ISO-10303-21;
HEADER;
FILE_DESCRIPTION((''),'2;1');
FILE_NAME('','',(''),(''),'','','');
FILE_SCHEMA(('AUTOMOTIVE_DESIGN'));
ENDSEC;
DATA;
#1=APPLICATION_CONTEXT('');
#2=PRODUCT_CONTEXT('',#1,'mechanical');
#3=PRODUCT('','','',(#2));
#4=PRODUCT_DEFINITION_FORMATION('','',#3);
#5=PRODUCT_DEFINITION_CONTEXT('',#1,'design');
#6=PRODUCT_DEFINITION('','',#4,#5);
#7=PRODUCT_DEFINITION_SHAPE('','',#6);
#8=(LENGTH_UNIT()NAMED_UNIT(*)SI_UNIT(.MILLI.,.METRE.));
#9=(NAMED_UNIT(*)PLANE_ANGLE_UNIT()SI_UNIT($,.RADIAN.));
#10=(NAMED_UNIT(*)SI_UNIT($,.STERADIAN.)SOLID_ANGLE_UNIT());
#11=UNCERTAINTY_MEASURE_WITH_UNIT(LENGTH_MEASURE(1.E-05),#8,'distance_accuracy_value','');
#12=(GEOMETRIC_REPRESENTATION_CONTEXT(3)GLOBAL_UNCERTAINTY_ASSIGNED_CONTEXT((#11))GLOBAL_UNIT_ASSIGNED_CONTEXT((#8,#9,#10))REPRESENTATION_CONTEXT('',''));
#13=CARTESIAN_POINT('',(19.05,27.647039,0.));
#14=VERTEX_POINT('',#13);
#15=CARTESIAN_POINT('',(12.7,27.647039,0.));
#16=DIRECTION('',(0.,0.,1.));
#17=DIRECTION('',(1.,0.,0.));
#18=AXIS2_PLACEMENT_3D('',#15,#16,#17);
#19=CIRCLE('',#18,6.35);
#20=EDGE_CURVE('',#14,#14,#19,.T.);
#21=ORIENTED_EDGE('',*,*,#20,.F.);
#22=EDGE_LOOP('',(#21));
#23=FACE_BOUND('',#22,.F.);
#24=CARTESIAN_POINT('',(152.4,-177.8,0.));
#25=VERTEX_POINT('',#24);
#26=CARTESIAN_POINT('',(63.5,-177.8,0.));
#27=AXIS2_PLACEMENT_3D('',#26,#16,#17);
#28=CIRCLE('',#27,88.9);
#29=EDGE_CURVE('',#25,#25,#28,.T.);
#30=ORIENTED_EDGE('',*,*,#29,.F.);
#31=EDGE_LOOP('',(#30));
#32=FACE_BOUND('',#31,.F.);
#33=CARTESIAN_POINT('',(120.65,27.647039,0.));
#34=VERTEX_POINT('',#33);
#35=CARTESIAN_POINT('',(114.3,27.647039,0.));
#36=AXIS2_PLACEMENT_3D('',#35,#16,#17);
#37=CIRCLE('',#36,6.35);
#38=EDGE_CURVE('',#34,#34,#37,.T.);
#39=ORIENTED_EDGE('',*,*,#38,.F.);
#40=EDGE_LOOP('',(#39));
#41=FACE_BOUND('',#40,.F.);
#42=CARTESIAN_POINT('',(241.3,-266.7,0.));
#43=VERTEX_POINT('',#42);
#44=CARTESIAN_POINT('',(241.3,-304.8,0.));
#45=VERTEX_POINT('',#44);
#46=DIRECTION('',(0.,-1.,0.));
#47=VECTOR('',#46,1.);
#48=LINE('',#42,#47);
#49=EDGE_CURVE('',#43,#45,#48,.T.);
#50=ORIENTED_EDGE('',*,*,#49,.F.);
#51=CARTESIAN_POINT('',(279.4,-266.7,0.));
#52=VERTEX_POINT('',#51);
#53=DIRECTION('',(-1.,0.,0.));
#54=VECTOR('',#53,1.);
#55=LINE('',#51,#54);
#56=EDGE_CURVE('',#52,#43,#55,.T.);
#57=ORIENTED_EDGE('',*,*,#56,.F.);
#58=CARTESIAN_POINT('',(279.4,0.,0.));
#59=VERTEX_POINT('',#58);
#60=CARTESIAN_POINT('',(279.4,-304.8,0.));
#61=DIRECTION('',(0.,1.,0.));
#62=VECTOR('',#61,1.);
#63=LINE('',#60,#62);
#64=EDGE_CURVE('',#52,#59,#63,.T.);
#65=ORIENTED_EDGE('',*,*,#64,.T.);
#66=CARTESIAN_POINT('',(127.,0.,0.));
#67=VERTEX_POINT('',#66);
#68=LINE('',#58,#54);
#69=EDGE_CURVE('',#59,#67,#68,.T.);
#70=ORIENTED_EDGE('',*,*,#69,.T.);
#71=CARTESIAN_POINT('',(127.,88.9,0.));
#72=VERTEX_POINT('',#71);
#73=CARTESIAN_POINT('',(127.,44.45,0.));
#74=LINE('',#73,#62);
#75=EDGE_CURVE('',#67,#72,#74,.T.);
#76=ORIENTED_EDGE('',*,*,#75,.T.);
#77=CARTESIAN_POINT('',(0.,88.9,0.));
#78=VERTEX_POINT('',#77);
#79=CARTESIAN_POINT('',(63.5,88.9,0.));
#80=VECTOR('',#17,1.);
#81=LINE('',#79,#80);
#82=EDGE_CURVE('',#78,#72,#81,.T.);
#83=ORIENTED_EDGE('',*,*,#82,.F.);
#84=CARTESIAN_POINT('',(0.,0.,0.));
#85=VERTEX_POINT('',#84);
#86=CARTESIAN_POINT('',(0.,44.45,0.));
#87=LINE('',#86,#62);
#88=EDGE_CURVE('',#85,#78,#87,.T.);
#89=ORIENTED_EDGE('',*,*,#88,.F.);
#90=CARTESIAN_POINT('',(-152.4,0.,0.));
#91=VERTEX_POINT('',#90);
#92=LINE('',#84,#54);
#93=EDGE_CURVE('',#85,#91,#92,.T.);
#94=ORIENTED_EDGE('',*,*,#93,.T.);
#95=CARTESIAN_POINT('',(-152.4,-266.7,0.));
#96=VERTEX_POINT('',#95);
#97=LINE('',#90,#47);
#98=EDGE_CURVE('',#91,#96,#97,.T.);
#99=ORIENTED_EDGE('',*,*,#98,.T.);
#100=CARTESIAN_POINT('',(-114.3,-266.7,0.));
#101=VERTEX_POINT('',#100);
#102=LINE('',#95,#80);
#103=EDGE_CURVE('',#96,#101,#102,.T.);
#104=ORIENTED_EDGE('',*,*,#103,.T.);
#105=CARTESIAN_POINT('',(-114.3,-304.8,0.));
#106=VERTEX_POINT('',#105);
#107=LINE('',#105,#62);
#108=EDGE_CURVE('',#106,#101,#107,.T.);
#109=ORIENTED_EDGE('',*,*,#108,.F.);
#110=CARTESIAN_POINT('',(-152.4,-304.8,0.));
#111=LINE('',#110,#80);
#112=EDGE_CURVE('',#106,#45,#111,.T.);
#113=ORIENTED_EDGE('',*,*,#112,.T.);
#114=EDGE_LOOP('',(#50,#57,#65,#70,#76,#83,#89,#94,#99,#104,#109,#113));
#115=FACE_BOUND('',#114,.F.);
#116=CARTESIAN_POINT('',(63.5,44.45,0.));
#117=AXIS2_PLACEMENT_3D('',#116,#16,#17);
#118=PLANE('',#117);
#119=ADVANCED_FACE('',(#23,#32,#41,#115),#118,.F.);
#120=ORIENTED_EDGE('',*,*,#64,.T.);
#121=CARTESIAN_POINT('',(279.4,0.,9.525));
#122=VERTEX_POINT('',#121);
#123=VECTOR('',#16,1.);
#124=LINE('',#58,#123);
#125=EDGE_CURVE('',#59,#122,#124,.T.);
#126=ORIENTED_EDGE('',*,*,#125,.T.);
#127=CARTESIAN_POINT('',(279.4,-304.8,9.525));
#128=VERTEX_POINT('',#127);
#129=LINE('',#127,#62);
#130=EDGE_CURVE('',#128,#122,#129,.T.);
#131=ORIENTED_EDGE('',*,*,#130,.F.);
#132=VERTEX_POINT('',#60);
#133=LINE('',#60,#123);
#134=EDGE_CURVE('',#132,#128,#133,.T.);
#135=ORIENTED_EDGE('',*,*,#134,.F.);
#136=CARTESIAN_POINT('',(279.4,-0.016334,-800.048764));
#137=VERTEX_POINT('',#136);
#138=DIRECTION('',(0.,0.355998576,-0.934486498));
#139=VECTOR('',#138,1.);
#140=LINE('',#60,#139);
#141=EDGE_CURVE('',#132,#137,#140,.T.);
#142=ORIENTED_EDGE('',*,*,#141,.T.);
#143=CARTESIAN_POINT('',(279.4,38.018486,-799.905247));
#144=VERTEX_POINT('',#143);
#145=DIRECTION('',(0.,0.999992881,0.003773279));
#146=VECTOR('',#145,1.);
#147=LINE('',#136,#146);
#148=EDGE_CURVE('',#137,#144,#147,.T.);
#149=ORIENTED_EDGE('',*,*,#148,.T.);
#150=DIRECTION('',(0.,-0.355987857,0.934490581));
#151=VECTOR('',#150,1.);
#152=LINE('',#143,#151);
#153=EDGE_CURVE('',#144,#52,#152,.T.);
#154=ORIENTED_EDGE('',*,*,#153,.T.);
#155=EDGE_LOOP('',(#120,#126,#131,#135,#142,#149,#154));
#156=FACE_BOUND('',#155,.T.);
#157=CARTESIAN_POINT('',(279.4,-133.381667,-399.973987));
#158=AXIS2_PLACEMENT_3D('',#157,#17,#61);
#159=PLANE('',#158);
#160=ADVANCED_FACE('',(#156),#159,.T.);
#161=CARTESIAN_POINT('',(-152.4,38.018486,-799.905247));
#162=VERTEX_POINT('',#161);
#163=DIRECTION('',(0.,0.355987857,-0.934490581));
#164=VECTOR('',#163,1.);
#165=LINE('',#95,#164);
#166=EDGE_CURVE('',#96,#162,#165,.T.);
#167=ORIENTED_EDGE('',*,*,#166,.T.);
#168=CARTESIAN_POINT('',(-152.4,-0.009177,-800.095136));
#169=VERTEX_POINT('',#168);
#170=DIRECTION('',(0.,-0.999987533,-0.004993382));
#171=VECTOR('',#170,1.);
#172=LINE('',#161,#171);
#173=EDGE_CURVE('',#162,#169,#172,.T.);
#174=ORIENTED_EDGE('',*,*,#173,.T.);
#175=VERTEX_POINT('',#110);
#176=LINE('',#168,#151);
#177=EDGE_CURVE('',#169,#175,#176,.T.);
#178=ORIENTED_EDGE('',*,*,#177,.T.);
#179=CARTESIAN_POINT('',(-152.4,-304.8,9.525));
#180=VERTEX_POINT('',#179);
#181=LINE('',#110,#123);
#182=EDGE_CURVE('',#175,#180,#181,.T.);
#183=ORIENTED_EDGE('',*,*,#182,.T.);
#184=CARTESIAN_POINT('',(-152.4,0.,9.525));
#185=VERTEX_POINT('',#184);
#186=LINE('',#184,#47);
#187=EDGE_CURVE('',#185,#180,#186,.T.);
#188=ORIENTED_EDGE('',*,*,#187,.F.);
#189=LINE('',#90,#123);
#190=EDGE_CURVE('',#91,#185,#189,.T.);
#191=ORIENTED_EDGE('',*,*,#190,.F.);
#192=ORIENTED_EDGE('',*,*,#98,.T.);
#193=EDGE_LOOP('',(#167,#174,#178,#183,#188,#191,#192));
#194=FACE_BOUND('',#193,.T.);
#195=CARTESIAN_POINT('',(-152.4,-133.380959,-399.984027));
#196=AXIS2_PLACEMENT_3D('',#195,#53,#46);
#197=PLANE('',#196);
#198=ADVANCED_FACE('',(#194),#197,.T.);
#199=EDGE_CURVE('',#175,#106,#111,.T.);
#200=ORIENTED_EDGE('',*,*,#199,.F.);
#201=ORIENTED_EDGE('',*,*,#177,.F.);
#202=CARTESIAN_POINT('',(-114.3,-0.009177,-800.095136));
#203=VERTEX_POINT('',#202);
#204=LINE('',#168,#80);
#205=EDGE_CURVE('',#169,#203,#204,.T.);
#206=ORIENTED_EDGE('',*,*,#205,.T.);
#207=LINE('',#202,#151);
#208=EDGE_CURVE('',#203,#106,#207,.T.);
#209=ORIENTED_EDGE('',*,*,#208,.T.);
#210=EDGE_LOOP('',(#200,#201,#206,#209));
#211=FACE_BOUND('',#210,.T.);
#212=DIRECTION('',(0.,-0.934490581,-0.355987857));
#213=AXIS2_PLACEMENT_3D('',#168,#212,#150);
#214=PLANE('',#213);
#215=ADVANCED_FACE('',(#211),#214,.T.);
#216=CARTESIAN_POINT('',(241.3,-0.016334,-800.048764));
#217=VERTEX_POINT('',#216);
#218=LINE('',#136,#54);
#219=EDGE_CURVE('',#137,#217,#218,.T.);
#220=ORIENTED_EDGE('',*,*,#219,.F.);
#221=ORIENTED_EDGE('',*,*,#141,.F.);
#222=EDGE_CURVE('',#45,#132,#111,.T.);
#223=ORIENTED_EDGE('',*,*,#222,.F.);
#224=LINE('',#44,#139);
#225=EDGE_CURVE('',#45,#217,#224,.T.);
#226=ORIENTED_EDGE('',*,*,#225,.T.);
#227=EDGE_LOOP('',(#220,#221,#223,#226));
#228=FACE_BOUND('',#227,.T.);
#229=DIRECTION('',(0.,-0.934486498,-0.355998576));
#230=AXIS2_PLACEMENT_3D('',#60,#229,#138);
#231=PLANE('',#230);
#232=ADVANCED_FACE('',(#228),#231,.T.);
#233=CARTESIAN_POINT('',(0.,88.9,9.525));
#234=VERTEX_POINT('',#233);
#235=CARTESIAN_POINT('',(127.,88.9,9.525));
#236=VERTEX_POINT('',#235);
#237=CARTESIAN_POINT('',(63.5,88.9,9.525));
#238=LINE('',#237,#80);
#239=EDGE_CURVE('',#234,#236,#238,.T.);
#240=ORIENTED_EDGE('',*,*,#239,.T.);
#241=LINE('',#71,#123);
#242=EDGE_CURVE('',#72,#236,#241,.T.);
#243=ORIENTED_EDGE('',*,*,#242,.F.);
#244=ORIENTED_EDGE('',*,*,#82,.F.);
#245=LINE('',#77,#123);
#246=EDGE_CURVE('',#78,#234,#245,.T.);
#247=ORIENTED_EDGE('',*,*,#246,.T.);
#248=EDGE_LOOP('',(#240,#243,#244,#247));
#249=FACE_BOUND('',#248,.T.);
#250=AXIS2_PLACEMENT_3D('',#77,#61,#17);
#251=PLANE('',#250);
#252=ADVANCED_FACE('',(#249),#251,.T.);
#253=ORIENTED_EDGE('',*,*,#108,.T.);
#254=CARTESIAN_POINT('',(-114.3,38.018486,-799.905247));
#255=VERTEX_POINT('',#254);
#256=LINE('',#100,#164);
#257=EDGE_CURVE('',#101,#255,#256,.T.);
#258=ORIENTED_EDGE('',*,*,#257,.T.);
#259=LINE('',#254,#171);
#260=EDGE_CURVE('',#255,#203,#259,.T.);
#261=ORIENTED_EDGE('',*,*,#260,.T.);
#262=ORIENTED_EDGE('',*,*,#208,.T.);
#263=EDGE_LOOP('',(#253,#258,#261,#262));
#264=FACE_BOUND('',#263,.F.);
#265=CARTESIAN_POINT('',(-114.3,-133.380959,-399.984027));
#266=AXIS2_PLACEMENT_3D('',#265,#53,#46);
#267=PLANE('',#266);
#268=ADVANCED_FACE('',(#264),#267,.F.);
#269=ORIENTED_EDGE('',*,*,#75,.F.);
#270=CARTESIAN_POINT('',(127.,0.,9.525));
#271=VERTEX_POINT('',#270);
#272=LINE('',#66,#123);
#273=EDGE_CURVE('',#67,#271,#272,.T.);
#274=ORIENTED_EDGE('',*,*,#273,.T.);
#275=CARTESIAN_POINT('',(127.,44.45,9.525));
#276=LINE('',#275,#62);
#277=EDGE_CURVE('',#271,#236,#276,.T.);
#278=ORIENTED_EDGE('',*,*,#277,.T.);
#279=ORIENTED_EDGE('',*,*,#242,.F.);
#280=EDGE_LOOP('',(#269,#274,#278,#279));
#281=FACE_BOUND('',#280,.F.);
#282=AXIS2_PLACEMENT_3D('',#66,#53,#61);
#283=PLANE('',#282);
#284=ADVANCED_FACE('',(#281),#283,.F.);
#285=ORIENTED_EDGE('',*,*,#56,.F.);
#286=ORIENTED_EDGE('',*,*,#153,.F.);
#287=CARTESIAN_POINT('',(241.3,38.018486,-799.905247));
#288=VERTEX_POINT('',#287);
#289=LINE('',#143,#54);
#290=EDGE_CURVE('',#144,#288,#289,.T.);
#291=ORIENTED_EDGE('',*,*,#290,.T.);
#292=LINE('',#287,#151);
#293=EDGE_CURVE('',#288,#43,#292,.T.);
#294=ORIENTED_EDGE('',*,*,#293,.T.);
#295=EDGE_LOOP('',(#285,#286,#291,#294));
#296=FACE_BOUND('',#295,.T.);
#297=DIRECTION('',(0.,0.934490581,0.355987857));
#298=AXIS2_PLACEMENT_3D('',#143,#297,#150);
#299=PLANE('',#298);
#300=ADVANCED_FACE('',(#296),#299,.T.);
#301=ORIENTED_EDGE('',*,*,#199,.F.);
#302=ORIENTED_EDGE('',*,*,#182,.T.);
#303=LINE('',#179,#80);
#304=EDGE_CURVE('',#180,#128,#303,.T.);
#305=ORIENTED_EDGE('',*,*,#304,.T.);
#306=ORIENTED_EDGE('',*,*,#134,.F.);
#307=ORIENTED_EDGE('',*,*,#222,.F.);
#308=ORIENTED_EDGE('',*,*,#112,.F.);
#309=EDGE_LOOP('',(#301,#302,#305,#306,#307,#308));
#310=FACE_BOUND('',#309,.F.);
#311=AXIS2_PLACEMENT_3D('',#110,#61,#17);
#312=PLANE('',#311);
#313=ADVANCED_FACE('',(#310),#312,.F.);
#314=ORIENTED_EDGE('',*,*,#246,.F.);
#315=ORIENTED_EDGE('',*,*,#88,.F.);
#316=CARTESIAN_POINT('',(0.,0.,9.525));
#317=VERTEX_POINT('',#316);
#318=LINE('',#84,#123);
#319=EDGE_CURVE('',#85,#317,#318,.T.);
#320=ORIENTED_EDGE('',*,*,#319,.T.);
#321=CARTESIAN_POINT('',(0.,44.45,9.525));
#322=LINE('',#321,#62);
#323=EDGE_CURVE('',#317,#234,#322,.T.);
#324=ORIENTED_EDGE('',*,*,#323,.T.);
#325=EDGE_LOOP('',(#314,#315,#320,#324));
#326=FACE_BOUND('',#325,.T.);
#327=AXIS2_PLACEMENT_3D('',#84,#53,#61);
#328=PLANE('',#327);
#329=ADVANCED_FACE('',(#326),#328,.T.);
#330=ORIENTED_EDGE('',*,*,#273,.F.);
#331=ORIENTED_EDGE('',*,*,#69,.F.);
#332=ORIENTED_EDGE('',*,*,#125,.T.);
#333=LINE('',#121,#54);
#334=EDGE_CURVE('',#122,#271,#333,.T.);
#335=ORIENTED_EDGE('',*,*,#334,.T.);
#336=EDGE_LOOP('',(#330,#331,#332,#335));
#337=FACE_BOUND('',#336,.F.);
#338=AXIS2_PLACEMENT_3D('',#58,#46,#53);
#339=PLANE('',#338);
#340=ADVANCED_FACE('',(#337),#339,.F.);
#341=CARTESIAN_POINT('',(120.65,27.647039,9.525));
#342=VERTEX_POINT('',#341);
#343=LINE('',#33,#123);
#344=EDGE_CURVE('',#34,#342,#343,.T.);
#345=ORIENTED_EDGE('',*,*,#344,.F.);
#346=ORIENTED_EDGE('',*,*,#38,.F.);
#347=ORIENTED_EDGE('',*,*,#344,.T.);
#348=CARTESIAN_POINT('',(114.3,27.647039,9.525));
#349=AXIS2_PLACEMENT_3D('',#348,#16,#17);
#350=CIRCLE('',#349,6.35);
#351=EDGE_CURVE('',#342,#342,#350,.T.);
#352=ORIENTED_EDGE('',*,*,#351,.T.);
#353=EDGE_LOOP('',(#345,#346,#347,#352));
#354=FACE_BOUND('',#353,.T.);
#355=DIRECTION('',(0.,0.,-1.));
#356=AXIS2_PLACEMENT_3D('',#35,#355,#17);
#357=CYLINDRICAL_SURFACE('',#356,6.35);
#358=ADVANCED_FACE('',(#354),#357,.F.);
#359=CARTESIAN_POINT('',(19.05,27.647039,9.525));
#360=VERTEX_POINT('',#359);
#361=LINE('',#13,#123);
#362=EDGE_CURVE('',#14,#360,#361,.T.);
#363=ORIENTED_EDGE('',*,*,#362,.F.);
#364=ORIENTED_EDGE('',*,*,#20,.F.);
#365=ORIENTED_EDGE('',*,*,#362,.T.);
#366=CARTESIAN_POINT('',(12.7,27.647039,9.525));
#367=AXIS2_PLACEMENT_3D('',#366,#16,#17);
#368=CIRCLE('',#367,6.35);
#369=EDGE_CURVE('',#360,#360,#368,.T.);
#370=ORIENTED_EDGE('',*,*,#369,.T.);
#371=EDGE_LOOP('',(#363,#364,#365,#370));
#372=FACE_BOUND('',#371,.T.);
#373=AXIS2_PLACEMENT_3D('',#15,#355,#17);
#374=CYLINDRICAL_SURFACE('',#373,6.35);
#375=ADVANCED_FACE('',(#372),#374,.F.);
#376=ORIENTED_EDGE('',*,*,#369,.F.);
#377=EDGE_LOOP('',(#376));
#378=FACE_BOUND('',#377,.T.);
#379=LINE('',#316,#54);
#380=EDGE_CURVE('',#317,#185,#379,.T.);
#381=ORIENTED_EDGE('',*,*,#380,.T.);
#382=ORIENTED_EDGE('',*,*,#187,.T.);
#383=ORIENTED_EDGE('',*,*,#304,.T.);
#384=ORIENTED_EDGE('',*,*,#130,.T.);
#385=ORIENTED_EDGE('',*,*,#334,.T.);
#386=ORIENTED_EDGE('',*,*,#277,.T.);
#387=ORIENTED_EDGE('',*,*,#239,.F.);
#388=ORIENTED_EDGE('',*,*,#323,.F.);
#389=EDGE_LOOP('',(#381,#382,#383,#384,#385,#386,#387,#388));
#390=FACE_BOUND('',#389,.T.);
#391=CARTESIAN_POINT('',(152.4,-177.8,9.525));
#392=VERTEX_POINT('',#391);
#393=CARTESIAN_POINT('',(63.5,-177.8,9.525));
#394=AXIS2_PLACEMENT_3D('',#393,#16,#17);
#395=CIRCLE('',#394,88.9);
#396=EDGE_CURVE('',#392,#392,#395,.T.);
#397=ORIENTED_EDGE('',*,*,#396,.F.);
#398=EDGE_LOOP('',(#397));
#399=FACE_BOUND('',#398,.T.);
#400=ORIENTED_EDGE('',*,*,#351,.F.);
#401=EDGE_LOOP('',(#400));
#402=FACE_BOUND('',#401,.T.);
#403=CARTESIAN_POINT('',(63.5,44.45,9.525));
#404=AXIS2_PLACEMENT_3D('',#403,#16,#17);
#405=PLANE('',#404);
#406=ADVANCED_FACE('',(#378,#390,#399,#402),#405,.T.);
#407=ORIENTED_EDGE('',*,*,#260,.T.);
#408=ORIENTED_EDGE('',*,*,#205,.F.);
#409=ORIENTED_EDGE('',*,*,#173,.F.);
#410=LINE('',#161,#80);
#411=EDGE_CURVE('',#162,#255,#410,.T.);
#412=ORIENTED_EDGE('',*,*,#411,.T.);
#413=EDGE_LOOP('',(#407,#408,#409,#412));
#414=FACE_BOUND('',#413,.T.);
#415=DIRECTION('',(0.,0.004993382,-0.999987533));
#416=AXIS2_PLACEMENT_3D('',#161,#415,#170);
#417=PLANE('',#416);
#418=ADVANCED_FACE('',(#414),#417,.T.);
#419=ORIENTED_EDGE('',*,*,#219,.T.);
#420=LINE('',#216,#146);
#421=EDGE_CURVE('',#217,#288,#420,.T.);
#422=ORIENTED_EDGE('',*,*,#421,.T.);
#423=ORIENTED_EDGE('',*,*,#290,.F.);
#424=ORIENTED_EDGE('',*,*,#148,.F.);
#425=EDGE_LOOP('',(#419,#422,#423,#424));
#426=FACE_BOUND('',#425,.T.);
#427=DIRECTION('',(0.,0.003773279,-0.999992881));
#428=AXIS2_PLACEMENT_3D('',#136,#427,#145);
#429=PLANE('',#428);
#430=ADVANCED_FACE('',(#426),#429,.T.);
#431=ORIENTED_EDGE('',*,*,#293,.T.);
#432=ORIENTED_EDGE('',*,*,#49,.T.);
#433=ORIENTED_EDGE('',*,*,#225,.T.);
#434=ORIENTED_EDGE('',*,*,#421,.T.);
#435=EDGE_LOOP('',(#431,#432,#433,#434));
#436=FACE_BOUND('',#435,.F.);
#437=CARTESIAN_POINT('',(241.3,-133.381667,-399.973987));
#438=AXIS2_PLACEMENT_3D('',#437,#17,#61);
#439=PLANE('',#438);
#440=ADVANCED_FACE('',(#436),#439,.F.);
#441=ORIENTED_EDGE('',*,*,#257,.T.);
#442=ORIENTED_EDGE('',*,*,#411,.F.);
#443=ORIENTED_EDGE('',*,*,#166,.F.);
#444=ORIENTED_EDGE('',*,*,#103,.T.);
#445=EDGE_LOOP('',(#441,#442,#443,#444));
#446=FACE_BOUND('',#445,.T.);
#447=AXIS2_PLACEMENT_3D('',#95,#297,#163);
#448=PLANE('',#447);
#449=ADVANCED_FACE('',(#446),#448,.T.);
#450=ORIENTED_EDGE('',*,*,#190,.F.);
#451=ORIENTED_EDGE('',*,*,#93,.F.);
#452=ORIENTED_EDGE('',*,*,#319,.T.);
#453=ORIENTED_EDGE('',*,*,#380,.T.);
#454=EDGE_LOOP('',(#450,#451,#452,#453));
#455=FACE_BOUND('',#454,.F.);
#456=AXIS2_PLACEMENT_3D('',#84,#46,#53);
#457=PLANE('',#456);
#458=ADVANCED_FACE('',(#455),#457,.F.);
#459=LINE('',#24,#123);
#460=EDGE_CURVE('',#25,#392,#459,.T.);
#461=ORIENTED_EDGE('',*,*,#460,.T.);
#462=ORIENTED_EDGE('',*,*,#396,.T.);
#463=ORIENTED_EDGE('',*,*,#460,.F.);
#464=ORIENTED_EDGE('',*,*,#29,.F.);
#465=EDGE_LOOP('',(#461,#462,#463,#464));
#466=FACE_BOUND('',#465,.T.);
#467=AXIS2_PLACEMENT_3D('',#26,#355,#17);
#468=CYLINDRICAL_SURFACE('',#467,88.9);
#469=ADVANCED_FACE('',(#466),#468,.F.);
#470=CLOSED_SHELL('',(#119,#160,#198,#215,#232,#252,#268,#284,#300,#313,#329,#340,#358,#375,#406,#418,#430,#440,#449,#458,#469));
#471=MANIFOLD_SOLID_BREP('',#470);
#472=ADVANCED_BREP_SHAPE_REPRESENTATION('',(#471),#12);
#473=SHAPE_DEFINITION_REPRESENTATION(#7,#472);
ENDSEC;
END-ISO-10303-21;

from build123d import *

# Parameters (mm, degrees)
F0_W     = 127
F0_H     = 88.9
F0_R     = 6.35
F0_R_2   = 88.9
F1_DEPTH = 9.525
F3_DEPTH = 38.1
F5_DEPTH = 38.1


with BuildPart() as f1:
    # F0 (on Top) → F1 (new body)
    with BuildSketch(Plane.XY):
        with Locations((63.5, 44.45)):
            Rectangle(F0_W, F0_H)
        with Locations((12.7, 27.647039)):
            Circle(F0_R, mode=Mode.SUBTRACT)
        with Locations((114.3, 27.647039)):
            Circle(F0_R, mode=Mode.SUBTRACT)
        Polygon((127, 0), (0, 0), (-152.4, 0), (-152.4, -304.8), (279.4, -304.8), (279.4, 0), align=None)
        with Locations((63.5, -177.8)):
            Circle(F0_R_2, mode=Mode.SUBTRACT)
    extrude(amount=F1_DEPTH)

    # F2 (on face) → F3 (join)
    with BuildSketch(Plane(origin=(-152.4, 0, 0), x_dir=(0, -1, 0), z_dir=(-1, 0, 0))):
        Polygon((0.009177, -800.095136), (304.8, 0), (266.7, 0), (-38.018486, -799.905247), align=None)
    extrude(amount=-F3_DEPTH)

    # F4 (on face) → F5 (join)
    with BuildSketch(Plane.YZ.offset(279.4)):
        Polygon((-266.7, 0), (-304.8, 0), (-0.016334, -800.048764), (38.018486, -799.905247), align=None)
    extrude(amount=-F5_DEPTH)


solid = f1.part
